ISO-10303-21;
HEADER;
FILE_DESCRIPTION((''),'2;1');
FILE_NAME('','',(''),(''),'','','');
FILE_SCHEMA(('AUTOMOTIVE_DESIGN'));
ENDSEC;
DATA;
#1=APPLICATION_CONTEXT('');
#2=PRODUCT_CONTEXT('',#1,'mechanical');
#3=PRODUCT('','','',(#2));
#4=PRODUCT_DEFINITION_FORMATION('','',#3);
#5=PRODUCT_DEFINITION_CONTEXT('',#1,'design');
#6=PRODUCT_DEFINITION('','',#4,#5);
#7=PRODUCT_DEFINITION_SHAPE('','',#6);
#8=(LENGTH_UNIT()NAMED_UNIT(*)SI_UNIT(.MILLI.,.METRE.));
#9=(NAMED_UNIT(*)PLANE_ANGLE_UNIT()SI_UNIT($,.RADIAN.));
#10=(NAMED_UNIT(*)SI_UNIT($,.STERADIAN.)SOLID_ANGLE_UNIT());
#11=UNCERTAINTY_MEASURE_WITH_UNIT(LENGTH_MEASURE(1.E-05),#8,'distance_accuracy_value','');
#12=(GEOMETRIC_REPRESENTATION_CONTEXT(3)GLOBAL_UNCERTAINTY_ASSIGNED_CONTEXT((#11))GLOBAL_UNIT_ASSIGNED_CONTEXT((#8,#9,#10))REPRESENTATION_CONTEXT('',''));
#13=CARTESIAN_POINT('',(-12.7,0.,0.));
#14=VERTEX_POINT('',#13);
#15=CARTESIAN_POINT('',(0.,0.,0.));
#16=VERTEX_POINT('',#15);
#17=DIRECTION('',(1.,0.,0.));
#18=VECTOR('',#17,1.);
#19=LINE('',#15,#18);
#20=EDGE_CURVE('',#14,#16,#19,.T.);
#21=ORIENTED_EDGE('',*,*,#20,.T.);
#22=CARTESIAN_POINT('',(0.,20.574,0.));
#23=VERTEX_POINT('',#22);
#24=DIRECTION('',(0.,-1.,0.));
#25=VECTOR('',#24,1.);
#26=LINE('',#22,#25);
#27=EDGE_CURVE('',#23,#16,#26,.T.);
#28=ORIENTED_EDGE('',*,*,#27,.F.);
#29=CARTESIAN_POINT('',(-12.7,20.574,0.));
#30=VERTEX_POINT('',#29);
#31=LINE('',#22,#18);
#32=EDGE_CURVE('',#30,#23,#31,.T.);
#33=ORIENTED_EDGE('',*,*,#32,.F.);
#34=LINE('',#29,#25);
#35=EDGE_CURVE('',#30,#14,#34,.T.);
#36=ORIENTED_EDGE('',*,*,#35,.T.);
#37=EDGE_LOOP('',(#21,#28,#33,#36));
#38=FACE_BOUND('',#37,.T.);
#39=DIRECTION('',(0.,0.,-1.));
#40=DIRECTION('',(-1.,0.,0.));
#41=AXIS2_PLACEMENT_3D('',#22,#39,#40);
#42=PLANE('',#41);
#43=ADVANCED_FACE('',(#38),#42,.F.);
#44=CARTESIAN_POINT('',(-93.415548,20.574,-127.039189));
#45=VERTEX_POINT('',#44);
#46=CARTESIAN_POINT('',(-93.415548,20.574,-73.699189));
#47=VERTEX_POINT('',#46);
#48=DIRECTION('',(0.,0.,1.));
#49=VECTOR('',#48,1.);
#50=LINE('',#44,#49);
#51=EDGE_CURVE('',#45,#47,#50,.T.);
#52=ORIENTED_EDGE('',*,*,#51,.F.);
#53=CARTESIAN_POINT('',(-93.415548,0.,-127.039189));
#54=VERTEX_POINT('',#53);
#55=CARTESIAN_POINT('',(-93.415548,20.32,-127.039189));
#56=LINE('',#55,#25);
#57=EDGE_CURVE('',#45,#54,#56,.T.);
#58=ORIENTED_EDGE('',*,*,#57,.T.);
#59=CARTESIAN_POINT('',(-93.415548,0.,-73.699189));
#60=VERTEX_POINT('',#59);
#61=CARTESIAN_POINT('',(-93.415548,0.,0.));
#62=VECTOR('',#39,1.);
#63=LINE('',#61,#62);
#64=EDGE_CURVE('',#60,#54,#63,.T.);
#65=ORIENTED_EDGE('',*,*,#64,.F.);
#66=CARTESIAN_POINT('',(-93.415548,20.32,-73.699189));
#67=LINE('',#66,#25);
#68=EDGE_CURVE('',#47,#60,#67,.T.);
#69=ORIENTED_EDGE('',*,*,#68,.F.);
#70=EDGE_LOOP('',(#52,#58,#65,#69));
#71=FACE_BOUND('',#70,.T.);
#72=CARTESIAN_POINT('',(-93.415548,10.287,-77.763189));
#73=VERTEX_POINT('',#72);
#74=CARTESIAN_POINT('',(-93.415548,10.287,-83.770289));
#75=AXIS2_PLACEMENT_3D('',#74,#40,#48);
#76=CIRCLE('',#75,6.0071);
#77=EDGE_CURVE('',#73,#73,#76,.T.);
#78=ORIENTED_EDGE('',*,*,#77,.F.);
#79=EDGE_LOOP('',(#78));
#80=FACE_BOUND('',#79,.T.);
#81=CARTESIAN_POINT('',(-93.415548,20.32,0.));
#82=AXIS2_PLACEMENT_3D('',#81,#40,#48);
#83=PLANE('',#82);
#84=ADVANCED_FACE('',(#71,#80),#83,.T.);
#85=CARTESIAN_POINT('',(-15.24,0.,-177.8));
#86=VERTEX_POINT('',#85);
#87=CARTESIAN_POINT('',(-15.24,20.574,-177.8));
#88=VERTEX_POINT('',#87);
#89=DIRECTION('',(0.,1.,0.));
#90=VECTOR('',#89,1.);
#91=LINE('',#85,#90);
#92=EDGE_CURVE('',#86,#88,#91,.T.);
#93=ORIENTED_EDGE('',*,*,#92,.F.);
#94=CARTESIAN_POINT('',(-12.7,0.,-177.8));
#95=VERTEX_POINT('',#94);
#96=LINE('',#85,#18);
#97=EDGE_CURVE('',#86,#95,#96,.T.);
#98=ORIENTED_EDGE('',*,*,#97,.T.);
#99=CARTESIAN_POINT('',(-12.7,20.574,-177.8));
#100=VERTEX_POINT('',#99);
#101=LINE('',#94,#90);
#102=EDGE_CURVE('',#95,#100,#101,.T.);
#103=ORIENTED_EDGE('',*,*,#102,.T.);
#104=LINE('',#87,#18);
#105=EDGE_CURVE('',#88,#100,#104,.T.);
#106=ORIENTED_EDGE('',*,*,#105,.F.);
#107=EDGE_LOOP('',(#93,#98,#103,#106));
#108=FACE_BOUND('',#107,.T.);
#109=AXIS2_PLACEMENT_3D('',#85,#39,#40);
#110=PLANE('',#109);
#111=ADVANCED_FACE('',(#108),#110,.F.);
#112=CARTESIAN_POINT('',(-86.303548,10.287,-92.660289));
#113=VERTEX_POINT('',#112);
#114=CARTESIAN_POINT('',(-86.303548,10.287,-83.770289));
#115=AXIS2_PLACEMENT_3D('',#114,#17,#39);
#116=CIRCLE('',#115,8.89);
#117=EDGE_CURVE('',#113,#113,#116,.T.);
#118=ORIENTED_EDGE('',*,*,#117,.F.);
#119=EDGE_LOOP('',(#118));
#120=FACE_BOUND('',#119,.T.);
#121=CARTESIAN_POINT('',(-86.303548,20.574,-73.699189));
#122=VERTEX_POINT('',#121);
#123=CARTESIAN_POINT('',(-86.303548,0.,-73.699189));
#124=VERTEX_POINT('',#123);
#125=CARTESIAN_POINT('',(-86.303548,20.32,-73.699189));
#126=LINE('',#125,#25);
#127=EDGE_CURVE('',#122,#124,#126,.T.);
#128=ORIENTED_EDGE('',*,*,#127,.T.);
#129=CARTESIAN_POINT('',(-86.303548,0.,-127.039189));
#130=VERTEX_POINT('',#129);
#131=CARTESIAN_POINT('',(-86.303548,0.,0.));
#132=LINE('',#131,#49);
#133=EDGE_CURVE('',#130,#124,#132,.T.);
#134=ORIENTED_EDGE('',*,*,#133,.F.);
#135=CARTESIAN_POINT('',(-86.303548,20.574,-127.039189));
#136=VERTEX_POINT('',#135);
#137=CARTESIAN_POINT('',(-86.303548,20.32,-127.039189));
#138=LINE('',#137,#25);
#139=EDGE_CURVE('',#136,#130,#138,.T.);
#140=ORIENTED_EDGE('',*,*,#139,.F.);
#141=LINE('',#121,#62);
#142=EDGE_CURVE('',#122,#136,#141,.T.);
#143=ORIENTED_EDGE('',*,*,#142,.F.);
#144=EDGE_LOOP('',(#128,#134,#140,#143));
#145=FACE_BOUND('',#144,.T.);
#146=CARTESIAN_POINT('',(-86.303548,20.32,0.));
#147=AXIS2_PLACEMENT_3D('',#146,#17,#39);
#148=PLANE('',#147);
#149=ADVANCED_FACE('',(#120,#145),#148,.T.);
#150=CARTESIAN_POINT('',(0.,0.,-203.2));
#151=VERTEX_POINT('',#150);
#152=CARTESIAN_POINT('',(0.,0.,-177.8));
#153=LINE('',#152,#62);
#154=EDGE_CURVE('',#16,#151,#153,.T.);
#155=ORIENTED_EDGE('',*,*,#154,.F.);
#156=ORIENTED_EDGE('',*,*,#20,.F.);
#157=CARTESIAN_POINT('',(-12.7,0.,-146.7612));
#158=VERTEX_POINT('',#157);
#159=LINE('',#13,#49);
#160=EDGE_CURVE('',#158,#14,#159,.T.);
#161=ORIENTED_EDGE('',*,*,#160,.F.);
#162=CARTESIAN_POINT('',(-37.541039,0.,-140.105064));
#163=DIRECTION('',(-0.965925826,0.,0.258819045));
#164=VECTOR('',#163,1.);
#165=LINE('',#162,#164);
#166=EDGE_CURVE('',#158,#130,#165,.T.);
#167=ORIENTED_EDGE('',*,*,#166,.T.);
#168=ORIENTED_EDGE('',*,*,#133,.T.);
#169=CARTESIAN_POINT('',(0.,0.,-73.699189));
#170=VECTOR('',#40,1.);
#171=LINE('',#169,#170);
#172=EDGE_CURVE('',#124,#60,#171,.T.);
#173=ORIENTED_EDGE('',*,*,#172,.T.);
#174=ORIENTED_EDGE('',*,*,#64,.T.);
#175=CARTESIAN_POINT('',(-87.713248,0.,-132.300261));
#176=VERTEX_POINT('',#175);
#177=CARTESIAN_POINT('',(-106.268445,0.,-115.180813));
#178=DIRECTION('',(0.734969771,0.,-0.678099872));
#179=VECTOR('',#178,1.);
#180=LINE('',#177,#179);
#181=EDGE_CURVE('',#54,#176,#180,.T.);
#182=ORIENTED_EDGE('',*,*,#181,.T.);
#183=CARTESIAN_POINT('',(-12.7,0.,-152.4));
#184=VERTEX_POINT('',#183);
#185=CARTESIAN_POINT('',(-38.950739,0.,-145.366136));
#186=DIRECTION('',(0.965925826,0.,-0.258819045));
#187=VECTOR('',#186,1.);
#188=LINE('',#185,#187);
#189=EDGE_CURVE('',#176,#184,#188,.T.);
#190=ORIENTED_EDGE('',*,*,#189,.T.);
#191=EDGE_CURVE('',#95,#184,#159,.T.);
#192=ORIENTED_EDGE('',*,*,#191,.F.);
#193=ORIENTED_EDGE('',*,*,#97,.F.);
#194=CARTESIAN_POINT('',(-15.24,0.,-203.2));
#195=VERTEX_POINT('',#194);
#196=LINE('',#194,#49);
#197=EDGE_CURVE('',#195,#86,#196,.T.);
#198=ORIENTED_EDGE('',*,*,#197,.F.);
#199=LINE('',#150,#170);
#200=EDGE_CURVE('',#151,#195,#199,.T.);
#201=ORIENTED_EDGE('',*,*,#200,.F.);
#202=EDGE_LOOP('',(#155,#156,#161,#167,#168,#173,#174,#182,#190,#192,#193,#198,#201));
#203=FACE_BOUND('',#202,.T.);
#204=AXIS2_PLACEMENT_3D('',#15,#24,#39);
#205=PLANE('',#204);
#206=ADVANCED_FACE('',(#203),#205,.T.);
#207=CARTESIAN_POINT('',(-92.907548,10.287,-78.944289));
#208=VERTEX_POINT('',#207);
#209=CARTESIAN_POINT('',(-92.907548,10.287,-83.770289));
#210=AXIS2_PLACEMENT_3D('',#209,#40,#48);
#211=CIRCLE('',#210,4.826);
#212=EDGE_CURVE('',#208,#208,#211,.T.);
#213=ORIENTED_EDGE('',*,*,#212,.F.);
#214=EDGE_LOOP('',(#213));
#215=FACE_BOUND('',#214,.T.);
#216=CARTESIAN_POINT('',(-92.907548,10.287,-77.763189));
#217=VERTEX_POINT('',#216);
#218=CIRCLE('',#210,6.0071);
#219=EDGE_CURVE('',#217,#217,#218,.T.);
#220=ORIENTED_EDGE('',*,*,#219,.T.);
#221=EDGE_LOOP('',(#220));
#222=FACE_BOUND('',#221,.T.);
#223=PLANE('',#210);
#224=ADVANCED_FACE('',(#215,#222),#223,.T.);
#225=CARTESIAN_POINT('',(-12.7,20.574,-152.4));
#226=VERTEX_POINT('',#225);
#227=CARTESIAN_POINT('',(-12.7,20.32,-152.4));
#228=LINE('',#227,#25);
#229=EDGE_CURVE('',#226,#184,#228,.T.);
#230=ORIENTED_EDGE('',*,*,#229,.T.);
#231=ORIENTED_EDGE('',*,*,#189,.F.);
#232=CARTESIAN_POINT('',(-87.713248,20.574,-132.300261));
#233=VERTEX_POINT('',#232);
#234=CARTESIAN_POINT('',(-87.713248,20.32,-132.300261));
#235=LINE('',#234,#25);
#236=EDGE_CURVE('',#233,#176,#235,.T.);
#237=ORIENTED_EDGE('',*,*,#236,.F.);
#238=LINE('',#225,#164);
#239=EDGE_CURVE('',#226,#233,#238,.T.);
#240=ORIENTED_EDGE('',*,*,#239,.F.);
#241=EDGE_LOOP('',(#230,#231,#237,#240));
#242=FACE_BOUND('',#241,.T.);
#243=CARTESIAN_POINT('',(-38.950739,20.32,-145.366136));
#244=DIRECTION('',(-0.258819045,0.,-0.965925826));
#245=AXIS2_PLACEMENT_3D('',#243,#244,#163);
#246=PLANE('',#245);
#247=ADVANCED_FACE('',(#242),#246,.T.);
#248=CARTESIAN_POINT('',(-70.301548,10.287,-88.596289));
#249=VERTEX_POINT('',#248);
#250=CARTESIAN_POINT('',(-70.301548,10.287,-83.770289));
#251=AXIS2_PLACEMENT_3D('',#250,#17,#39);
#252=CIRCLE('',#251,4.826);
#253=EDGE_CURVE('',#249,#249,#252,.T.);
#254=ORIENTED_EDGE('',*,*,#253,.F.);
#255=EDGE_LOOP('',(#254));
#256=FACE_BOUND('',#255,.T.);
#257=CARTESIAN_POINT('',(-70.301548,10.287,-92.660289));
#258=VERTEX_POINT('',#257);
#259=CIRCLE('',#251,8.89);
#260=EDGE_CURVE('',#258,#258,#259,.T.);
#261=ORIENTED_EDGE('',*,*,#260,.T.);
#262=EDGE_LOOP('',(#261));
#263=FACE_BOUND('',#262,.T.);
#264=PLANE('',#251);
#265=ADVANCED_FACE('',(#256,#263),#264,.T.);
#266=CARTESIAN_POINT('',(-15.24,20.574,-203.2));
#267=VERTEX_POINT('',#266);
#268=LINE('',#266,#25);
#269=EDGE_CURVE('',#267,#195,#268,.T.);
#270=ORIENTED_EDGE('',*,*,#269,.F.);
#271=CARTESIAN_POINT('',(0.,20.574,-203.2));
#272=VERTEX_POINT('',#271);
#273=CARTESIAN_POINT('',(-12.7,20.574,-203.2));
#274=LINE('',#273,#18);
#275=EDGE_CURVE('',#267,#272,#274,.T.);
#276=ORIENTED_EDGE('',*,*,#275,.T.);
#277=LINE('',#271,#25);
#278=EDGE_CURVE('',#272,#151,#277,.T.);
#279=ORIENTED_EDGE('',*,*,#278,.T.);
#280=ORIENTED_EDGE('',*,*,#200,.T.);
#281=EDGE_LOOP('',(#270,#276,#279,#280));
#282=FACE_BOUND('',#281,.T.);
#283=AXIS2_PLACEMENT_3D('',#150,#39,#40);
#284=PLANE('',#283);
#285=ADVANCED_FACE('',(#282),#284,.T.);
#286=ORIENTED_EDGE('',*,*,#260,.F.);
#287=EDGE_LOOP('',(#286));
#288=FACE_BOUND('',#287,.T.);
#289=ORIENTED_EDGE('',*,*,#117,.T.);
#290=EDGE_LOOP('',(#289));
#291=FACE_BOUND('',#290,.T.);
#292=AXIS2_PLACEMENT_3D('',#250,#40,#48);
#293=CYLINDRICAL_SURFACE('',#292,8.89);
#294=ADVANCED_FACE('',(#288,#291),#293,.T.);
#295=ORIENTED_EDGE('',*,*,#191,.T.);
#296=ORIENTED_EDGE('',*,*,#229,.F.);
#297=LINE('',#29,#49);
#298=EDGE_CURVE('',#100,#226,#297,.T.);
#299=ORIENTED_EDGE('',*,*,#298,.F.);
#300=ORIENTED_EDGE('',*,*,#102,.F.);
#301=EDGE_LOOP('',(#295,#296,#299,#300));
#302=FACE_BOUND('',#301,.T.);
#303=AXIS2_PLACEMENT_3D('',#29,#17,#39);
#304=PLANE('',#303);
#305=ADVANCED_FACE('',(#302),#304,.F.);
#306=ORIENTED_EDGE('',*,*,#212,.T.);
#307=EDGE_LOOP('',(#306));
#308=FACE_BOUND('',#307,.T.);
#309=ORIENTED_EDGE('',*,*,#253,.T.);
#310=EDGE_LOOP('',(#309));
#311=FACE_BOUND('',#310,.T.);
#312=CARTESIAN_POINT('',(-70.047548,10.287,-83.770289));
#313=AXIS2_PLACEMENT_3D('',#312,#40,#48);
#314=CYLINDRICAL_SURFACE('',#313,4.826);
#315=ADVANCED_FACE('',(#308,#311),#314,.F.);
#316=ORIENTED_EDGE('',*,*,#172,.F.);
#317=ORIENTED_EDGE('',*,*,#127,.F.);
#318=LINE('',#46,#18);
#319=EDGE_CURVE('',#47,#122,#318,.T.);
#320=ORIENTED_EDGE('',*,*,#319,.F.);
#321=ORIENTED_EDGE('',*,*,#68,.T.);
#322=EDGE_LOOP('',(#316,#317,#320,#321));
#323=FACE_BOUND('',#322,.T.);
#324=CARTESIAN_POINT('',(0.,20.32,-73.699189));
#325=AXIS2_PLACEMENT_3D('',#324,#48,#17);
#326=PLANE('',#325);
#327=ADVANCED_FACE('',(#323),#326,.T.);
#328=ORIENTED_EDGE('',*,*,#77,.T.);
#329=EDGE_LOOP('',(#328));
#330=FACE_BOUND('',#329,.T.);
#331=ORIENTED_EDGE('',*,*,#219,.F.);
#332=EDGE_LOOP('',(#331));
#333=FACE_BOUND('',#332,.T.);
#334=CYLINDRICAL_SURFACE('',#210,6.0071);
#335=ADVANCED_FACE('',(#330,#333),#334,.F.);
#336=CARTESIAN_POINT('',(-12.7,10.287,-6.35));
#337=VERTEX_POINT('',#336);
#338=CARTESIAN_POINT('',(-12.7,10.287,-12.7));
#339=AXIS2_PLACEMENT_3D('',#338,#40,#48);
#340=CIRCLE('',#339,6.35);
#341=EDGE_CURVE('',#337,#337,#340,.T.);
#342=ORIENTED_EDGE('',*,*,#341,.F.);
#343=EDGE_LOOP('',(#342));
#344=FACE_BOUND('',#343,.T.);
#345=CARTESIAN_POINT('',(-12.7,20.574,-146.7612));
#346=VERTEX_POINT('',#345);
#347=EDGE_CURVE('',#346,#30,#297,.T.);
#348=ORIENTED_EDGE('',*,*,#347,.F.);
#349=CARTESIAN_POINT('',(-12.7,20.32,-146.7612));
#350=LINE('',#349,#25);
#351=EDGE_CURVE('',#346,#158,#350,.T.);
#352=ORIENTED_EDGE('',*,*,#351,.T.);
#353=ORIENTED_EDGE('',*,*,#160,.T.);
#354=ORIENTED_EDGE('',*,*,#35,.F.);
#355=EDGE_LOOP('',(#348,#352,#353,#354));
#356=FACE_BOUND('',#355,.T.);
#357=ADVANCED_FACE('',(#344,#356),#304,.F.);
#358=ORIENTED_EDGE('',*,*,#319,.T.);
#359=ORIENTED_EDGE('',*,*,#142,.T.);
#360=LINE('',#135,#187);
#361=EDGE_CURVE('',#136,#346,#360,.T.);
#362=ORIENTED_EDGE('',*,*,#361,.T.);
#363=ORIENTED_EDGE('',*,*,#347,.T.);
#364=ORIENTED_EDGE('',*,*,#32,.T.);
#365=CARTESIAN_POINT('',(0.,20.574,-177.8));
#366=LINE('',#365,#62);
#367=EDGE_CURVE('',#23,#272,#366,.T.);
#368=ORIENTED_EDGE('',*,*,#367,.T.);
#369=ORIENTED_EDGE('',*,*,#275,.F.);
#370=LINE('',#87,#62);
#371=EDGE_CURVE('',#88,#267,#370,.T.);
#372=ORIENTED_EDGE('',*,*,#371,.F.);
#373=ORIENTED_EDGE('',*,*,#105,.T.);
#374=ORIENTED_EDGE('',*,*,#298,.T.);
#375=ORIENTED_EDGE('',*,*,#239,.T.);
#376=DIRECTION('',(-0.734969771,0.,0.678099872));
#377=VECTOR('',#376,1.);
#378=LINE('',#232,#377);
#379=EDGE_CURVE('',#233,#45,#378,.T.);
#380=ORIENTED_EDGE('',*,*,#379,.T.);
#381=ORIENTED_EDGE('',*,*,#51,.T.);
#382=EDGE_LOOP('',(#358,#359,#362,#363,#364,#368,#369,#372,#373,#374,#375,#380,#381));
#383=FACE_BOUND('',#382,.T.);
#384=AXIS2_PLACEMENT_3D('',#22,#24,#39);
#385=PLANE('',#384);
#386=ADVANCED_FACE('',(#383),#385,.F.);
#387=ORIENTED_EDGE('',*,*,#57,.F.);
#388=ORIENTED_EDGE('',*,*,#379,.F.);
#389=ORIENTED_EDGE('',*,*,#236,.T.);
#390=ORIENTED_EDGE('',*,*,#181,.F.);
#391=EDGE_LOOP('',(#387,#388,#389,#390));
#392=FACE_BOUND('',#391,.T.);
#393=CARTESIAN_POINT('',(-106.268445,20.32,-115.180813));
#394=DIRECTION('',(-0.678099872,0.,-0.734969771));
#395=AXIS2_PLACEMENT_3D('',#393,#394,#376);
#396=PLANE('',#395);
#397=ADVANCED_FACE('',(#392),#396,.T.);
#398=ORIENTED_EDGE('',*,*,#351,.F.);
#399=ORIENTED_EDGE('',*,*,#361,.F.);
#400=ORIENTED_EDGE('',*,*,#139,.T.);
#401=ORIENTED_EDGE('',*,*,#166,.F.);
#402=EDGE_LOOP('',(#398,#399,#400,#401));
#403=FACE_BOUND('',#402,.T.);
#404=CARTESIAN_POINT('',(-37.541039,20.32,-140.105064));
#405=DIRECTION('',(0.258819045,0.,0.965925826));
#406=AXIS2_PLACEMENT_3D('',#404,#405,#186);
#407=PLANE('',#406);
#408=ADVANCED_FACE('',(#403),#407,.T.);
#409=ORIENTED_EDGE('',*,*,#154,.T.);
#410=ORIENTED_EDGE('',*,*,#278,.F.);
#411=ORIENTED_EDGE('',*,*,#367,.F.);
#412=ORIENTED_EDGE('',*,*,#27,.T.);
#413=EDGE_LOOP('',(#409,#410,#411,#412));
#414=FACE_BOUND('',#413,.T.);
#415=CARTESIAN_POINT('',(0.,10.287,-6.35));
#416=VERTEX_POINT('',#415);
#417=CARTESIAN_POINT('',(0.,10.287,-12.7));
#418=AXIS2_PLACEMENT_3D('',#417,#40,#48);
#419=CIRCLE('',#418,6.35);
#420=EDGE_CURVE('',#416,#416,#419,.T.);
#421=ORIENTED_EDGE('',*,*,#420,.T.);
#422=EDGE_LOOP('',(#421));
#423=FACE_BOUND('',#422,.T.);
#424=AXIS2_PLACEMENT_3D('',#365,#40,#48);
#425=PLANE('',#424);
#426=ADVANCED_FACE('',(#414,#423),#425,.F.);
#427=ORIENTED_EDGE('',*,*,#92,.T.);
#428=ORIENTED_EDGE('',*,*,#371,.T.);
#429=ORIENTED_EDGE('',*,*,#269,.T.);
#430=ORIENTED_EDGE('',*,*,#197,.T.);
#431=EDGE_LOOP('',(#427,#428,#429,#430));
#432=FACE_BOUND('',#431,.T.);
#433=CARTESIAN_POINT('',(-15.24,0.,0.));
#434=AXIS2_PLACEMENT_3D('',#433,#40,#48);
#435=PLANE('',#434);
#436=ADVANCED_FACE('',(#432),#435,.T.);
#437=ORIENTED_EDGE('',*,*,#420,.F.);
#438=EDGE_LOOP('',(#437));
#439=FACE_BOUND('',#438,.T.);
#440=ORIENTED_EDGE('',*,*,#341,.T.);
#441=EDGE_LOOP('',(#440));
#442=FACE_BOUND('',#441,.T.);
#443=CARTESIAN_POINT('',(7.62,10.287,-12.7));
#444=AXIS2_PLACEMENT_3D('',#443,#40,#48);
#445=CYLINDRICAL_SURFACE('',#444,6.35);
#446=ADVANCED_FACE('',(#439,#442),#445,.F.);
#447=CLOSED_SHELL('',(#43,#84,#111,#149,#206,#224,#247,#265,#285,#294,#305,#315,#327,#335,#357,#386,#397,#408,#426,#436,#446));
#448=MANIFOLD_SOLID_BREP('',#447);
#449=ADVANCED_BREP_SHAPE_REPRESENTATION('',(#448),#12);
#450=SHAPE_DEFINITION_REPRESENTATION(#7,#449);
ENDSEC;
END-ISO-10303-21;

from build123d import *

# Parameters (mm, degrees)
SKETCH1_W         = 12.7
SKETCH1_H         = 177.8
EXTRUSION1_DEPTH  = 20.574
EXTRUSION3_DEPTH  = 20.32
SKETCH4_R         = 6.35
EXTRUSION4_DEPTH  = 20.32
EXTRUSION5_DEPTH  = 0.254
SKETCH7_R         = 6.0071
EXTRUSION7_DEPTH  = 0.508
SKETCH8_R         = 4.826
EXTRUSION8_DEPTH  = 22.86
SKETCH9_R         = 8.89
SKETCH9_R_2       = 6.0071
EXTRUSION9_DEPTH  = 16.002
SKETCH10_R        = 6.0071
SKETCH10_R_2      = 4.826
EXTRUSION10_DEPTH = 16.002
SKETCH11_W        = 12.7
SKETCH11_H        = 20.574
EXTRUSION14_DEPTH = 25.4
SKETCH12_W        = 25.4
SKETCH12_H        = 20.574
EXTRUSION15_DEPTH = 2.54


with BuildPart() as part:
    # Sketch1 → Extrusion1 (new body)
    with BuildSketch(Plane(origin=(0, 0, 0), x_dir=(-1, 0, 0), z_dir=(0, 1, 0))):
        with Locations((6.35, -88.9)):
            Rectangle(SKETCH1_W, SKETCH1_H)
    extrude(amount=EXTRUSION1_DEPTH)

    # Sketch3 → Extrusion3 (add)
    with BuildSketch(Plane.XZ):
        Polygon((-12.7, -152.4), (-12.7, -146.7612), (-86.303547963, -127.039188763), (-86.303547963, -73.699188763), (-93.415547963, -73.699188763), (-93.415547963, -127.039188763), (-87.713247963, -132.300260787), align=None)
    extrude(amount=-EXTRUSION3_DEPTH)

    # Sketch4 → Extrusion4 (cut)
    with BuildSketch(Plane.ZY.offset(12.7)):
        with Locations((-12.7, 10.287)):
            Circle(SKETCH4_R)
    extrude(amount=-EXTRUSION4_DEPTH, mode=Mode.SUBTRACT)

    # Sketch5 → Extrusion5 (add)
    with BuildSketch(Plane(origin=(0, 20.32, 0), x_dir=(1, 0, 0), z_dir=(0, 1, 0))):
        Polygon((-86.303547963, 73.699188763), (-86.303547963, 127.039188763), (-12.7, 146.7612), (-12.7, 152.4), (-87.713247963, 132.300260787), (-93.415547963, 127.039188763), (-93.415547963, 73.699188763), align=None)
    extrude(amount=EXTRUSION5_DEPTH)

    # Sketch7 → Extrusion7 (cut)
    with BuildSketch(Plane.ZY.offset(93.415547963)):
        with Locations((-83.770288763, 10.287)):
            Circle(SKETCH7_R)
    extrude(amount=-EXTRUSION7_DEPTH, mode=Mode.SUBTRACT)

    # Sketch8 → Extrusion8 (cut)
    with BuildSketch(Plane.ZY.offset(92.907547963)):
        with Locations((-83.770288763, 10.287)):
            Circle(SKETCH8_R)
    extrude(amount=-EXTRUSION8_DEPTH, mode=Mode.SUBTRACT)

    # Sketch9 → Extrusion9 (add)
    with BuildSketch(Plane(origin=(-86.303547963, 0, 0), x_dir=(0, 0, -1), z_dir=(1, 0, 0))):
        with Locations((83.770288763, 10.287)):
            Circle(SKETCH9_R)
        with Locations((83.770288763, 10.287)):
            Circle(SKETCH9_R_2, mode=Mode.SUBTRACT)
    extrude(amount=EXTRUSION9_DEPTH)

    # Sketch10 → Extrusion10 (add)
    with BuildSketch(Plane(origin=(-86.303547963, 10.287, -83.770288763), x_dir=(0, 0, -1), z_dir=(1, 0, 0))):
        Circle(SKETCH10_R)
        Circle(SKETCH10_R_2, mode=Mode.SUBTRACT)
    extrude(amount=EXTRUSION10_DEPTH)

    # Sketch11 → Extrusion14 (add)
    with BuildSketch(Plane(origin=(0, 0, -177.8), x_dir=(-1, 0, 0), z_dir=(0, 0, -1))):
        with Locations((6.35, 10.287)):
            Rectangle(SKETCH11_W, SKETCH11_H)
    extrude(amount=EXTRUSION14_DEPTH)

    # Sketch12 → Extrusion15 (add)
    with BuildSketch(Plane.ZY.offset(12.7)):
        with Locations((-190.5, 10.287)):
            Rectangle(SKETCH12_W, SKETCH12_H)
    extrude(amount=EXTRUSION15_DEPTH)


solid = part.part
